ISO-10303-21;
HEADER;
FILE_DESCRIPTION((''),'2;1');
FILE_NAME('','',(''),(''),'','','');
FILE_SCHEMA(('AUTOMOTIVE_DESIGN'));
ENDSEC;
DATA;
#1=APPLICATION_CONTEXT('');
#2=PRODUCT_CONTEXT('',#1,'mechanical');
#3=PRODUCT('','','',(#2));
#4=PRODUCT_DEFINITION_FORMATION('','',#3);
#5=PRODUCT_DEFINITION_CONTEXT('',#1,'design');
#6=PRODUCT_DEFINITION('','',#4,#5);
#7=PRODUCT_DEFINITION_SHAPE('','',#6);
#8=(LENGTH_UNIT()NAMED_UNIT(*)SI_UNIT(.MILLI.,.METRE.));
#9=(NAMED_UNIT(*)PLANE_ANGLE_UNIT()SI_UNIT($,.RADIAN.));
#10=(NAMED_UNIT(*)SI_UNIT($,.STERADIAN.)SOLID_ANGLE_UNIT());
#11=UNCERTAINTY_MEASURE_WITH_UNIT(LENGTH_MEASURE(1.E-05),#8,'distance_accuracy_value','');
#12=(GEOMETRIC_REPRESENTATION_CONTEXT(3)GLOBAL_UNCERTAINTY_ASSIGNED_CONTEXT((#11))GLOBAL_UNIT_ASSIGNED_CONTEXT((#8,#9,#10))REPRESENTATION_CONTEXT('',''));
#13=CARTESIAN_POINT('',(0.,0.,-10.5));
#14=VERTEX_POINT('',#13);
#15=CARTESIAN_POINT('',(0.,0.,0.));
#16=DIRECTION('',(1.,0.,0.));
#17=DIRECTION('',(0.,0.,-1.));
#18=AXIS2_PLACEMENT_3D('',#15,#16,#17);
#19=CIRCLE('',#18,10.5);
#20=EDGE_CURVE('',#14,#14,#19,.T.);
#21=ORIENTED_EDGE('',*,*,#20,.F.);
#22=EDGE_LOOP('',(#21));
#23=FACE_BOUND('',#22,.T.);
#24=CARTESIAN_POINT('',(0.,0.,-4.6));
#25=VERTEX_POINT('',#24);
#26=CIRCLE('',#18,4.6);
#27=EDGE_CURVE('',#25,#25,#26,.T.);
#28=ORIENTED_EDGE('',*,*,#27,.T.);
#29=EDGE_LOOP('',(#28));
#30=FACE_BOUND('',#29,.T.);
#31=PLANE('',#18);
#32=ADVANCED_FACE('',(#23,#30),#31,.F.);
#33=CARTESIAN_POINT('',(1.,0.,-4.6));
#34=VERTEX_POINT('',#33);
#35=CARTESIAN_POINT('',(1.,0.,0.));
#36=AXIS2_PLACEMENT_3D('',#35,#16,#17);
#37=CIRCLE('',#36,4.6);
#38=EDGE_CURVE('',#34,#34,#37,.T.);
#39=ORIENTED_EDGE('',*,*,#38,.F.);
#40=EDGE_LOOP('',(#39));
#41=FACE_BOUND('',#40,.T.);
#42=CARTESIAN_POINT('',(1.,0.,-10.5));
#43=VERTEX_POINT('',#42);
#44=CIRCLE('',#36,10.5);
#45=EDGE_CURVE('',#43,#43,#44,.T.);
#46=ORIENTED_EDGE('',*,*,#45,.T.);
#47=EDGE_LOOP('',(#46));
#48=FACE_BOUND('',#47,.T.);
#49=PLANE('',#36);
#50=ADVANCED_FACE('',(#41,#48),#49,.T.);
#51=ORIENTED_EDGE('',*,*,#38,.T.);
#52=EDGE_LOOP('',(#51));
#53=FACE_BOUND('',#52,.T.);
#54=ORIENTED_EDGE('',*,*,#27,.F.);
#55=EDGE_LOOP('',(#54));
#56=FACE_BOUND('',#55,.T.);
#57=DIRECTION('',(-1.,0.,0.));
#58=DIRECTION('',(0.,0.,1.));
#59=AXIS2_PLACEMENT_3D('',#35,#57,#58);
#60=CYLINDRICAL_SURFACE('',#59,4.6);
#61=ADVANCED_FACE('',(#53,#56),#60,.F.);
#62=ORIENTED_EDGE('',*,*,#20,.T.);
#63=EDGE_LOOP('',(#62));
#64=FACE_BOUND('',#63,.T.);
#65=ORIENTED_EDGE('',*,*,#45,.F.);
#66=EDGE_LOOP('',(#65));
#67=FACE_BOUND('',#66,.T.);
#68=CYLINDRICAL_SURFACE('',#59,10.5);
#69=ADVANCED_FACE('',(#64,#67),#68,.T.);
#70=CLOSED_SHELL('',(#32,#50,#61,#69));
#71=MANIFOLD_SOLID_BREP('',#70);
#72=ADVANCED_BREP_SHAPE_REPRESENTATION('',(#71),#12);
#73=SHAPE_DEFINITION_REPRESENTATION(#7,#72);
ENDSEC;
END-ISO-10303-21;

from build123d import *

# Parameters (mm, degrees)
SKETCH1_R          = 10.5
SKETCH1_R_2        = 4.6
BASE_EXTRUDE_DEPTH = 1


with BuildPart() as part:
    # Sketch1 → Base-Extrude (new body)
    with BuildSketch(Plane(origin=(0, 0, 0), x_dir=(0, 0, -1), z_dir=(1, 0, 0))):
        Circle(SKETCH1_R)
        Circle(SKETCH1_R_2, mode=Mode.SUBTRACT)
    extrude(amount=BASE_EXTRUDE_DEPTH)


solid = part.part
